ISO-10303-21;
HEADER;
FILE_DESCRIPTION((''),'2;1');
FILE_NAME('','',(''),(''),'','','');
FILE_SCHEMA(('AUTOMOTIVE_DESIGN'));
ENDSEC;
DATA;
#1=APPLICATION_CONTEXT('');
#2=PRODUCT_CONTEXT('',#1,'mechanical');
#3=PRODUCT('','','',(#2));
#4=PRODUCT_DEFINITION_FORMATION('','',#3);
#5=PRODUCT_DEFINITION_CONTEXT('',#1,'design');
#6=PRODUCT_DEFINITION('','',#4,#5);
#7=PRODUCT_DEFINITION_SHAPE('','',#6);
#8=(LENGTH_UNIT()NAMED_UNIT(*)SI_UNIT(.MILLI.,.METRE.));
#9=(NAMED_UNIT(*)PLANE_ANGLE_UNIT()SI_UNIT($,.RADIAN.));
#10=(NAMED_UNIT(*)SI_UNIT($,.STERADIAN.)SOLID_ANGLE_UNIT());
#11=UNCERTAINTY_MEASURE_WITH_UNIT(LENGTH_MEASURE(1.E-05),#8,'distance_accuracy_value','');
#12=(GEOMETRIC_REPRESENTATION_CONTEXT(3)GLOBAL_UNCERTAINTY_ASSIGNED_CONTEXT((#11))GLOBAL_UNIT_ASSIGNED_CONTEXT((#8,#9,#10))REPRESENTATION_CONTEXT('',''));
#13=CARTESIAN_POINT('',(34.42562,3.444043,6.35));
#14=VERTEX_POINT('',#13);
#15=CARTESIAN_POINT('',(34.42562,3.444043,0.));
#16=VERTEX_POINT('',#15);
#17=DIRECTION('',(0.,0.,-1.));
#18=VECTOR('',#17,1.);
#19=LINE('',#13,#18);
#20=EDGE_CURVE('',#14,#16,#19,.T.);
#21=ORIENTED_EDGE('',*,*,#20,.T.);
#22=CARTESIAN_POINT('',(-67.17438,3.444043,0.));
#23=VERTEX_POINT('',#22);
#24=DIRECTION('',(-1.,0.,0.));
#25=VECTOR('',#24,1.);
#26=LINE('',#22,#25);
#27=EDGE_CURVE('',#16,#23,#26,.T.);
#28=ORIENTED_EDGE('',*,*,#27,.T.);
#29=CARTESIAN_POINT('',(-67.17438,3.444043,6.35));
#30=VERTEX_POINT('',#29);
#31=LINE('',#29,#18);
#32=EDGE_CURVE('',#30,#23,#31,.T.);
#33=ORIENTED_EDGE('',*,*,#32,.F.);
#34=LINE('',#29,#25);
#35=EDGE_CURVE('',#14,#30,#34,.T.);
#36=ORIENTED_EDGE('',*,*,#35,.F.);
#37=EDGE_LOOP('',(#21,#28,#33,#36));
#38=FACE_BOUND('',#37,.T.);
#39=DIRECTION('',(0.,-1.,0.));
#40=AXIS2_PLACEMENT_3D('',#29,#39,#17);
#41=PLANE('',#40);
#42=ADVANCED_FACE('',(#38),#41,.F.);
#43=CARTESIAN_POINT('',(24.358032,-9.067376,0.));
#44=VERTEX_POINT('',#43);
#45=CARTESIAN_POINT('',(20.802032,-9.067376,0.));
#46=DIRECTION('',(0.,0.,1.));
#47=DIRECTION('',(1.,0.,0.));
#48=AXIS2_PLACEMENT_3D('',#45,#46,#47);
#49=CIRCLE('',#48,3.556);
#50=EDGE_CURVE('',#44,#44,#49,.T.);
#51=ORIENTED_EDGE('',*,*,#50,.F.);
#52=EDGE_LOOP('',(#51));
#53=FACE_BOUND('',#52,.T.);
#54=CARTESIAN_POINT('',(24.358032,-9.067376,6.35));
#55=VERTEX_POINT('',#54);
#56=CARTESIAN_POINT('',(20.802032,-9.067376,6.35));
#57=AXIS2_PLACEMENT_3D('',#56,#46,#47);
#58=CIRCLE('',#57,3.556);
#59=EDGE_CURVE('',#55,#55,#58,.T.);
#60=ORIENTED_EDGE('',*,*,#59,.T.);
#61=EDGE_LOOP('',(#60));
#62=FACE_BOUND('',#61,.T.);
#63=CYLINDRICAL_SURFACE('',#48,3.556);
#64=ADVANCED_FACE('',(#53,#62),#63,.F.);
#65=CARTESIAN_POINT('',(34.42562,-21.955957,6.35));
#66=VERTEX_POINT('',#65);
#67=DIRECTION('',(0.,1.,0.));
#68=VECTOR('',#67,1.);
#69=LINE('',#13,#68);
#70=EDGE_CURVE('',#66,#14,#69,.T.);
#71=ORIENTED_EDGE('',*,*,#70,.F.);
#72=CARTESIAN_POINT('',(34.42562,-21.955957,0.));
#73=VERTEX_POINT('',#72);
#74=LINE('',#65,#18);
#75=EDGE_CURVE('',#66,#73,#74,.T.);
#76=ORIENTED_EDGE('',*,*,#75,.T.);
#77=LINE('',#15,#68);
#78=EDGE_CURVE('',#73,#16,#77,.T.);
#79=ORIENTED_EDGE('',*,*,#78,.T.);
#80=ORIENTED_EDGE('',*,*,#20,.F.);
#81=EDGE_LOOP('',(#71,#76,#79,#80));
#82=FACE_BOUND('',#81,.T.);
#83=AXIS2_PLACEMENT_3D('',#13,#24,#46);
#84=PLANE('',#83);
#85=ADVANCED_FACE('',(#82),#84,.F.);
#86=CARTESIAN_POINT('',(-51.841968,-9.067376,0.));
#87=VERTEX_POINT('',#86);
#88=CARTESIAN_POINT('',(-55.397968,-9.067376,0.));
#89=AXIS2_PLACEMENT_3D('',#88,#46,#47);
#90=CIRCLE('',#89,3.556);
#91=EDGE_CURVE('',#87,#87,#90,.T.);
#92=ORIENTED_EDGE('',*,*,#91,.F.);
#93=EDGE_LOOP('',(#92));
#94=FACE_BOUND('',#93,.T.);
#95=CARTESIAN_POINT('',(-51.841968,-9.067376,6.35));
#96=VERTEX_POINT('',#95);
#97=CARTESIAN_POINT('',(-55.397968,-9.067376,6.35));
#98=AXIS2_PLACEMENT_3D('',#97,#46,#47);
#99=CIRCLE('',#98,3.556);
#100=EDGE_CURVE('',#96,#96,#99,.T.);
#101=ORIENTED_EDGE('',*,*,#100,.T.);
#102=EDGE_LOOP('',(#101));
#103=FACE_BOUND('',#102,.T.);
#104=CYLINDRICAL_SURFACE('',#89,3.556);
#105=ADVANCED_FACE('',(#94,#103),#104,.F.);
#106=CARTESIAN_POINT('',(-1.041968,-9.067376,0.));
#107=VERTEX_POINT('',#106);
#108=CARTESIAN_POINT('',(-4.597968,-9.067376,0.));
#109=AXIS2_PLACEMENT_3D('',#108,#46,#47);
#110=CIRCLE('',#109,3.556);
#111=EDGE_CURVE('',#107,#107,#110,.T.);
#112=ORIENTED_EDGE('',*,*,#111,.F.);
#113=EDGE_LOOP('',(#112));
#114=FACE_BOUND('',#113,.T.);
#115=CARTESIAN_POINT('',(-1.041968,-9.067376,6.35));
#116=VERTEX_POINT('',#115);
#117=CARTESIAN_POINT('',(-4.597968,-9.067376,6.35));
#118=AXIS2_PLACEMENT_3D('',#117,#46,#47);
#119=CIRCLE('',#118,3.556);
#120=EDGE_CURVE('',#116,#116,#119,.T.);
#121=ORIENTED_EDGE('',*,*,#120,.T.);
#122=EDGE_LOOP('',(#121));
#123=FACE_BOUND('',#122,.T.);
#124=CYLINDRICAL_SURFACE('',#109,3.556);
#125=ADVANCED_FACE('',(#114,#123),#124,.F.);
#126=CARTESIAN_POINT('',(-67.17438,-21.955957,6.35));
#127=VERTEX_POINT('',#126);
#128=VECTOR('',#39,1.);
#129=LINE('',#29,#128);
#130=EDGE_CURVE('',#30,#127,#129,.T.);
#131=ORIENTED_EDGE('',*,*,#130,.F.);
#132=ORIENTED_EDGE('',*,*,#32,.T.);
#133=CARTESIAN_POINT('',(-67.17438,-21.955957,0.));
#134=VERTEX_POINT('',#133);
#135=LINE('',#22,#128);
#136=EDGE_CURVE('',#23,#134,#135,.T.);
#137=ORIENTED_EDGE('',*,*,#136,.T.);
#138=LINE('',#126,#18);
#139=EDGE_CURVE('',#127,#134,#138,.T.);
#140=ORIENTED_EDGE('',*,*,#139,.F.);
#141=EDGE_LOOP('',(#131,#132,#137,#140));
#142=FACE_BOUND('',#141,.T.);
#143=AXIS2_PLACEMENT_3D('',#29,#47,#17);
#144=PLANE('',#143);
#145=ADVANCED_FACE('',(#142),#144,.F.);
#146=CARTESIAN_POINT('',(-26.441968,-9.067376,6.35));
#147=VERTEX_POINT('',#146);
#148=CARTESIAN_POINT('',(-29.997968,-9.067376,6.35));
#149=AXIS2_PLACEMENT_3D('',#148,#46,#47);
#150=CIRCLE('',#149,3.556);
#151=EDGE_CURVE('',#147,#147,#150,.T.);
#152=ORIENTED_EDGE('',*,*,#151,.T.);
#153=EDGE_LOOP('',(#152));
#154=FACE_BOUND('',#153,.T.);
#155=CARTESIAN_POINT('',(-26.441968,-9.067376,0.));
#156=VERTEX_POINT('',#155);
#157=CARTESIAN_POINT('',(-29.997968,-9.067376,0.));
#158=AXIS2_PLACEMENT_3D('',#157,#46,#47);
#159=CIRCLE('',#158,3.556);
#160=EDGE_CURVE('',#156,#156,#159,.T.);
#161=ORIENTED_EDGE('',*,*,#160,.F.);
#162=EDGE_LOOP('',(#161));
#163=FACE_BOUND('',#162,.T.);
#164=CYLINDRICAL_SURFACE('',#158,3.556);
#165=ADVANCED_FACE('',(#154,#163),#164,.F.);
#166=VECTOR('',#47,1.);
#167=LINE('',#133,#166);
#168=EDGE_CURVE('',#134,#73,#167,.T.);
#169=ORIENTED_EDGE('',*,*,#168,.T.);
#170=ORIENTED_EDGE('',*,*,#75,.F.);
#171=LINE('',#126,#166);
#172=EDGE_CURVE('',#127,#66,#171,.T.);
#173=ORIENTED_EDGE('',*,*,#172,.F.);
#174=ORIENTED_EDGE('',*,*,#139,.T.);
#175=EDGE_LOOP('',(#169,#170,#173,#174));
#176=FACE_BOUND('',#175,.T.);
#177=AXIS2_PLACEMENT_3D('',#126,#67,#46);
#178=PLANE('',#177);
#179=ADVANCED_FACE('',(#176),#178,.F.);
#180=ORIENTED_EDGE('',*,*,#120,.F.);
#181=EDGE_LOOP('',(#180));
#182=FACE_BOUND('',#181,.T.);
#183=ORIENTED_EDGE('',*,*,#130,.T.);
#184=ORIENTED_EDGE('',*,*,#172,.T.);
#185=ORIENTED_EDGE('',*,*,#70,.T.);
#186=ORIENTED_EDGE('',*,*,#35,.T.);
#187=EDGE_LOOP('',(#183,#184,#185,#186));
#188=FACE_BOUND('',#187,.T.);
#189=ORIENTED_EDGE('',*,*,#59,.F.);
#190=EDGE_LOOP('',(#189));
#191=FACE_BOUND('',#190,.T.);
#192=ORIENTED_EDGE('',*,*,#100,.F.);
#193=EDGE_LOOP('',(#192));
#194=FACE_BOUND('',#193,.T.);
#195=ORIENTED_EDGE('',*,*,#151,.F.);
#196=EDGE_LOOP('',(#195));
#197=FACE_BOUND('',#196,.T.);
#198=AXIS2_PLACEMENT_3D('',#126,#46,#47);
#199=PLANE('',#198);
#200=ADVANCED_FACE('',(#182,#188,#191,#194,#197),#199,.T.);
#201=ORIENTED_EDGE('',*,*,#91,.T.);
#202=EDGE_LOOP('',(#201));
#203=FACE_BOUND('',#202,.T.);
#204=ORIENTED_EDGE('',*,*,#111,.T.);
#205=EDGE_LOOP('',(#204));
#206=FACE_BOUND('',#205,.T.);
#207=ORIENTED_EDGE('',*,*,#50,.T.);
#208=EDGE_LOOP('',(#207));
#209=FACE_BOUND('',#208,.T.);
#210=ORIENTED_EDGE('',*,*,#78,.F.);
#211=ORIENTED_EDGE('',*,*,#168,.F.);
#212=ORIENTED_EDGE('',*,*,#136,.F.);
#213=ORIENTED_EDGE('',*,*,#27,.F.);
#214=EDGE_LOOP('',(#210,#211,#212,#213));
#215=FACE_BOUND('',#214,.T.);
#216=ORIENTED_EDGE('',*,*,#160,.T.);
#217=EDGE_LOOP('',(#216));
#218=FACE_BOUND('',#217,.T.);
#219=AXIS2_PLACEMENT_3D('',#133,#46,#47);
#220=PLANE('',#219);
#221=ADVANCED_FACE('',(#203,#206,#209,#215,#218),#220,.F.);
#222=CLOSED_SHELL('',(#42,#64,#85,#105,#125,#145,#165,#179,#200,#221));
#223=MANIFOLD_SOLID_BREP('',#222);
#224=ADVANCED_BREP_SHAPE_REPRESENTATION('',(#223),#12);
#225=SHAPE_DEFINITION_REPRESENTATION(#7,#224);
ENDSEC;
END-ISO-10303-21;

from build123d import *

# Parameters (mm, degrees)
SKETCH1_W           = 101.6
SKETCH1_H           = 25.4
BOSS_EXTRUDE1_DEPTH = 6.35
SKETCH2_R           = 3.556
CUT_EXTRUDE1_DEPTH  = 7.35


with BuildPart() as part:
    # Sketch1 → Boss-Extrude1 (new body)
    with BuildSketch(Plane.XY):
        with Locations((-16.374380161, -9.255956692)):
            Rectangle(SKETCH1_W, SKETCH1_H)
    extrude(amount=BOSS_EXTRUDE1_DEPTH)

    # Sketch2 → Cut-Extrude1 (cut, through all)
    with BuildSketch(Plane.XY.offset(6.35)):
        with Locations((-55.39796797, -9.067376)):
            Circle(SKETCH2_R)
        with Locations((-29.99796797, -9.067376)):
            Circle(SKETCH2_R)
        with Locations((-4.59796797, -9.067376)):
            Circle(SKETCH2_R)
        with Locations((20.80203203, -9.067376)):
            Circle(SKETCH2_R)
    extrude(amount=-CUT_EXTRUDE1_DEPTH, mode=Mode.SUBTRACT)


solid = part.part
